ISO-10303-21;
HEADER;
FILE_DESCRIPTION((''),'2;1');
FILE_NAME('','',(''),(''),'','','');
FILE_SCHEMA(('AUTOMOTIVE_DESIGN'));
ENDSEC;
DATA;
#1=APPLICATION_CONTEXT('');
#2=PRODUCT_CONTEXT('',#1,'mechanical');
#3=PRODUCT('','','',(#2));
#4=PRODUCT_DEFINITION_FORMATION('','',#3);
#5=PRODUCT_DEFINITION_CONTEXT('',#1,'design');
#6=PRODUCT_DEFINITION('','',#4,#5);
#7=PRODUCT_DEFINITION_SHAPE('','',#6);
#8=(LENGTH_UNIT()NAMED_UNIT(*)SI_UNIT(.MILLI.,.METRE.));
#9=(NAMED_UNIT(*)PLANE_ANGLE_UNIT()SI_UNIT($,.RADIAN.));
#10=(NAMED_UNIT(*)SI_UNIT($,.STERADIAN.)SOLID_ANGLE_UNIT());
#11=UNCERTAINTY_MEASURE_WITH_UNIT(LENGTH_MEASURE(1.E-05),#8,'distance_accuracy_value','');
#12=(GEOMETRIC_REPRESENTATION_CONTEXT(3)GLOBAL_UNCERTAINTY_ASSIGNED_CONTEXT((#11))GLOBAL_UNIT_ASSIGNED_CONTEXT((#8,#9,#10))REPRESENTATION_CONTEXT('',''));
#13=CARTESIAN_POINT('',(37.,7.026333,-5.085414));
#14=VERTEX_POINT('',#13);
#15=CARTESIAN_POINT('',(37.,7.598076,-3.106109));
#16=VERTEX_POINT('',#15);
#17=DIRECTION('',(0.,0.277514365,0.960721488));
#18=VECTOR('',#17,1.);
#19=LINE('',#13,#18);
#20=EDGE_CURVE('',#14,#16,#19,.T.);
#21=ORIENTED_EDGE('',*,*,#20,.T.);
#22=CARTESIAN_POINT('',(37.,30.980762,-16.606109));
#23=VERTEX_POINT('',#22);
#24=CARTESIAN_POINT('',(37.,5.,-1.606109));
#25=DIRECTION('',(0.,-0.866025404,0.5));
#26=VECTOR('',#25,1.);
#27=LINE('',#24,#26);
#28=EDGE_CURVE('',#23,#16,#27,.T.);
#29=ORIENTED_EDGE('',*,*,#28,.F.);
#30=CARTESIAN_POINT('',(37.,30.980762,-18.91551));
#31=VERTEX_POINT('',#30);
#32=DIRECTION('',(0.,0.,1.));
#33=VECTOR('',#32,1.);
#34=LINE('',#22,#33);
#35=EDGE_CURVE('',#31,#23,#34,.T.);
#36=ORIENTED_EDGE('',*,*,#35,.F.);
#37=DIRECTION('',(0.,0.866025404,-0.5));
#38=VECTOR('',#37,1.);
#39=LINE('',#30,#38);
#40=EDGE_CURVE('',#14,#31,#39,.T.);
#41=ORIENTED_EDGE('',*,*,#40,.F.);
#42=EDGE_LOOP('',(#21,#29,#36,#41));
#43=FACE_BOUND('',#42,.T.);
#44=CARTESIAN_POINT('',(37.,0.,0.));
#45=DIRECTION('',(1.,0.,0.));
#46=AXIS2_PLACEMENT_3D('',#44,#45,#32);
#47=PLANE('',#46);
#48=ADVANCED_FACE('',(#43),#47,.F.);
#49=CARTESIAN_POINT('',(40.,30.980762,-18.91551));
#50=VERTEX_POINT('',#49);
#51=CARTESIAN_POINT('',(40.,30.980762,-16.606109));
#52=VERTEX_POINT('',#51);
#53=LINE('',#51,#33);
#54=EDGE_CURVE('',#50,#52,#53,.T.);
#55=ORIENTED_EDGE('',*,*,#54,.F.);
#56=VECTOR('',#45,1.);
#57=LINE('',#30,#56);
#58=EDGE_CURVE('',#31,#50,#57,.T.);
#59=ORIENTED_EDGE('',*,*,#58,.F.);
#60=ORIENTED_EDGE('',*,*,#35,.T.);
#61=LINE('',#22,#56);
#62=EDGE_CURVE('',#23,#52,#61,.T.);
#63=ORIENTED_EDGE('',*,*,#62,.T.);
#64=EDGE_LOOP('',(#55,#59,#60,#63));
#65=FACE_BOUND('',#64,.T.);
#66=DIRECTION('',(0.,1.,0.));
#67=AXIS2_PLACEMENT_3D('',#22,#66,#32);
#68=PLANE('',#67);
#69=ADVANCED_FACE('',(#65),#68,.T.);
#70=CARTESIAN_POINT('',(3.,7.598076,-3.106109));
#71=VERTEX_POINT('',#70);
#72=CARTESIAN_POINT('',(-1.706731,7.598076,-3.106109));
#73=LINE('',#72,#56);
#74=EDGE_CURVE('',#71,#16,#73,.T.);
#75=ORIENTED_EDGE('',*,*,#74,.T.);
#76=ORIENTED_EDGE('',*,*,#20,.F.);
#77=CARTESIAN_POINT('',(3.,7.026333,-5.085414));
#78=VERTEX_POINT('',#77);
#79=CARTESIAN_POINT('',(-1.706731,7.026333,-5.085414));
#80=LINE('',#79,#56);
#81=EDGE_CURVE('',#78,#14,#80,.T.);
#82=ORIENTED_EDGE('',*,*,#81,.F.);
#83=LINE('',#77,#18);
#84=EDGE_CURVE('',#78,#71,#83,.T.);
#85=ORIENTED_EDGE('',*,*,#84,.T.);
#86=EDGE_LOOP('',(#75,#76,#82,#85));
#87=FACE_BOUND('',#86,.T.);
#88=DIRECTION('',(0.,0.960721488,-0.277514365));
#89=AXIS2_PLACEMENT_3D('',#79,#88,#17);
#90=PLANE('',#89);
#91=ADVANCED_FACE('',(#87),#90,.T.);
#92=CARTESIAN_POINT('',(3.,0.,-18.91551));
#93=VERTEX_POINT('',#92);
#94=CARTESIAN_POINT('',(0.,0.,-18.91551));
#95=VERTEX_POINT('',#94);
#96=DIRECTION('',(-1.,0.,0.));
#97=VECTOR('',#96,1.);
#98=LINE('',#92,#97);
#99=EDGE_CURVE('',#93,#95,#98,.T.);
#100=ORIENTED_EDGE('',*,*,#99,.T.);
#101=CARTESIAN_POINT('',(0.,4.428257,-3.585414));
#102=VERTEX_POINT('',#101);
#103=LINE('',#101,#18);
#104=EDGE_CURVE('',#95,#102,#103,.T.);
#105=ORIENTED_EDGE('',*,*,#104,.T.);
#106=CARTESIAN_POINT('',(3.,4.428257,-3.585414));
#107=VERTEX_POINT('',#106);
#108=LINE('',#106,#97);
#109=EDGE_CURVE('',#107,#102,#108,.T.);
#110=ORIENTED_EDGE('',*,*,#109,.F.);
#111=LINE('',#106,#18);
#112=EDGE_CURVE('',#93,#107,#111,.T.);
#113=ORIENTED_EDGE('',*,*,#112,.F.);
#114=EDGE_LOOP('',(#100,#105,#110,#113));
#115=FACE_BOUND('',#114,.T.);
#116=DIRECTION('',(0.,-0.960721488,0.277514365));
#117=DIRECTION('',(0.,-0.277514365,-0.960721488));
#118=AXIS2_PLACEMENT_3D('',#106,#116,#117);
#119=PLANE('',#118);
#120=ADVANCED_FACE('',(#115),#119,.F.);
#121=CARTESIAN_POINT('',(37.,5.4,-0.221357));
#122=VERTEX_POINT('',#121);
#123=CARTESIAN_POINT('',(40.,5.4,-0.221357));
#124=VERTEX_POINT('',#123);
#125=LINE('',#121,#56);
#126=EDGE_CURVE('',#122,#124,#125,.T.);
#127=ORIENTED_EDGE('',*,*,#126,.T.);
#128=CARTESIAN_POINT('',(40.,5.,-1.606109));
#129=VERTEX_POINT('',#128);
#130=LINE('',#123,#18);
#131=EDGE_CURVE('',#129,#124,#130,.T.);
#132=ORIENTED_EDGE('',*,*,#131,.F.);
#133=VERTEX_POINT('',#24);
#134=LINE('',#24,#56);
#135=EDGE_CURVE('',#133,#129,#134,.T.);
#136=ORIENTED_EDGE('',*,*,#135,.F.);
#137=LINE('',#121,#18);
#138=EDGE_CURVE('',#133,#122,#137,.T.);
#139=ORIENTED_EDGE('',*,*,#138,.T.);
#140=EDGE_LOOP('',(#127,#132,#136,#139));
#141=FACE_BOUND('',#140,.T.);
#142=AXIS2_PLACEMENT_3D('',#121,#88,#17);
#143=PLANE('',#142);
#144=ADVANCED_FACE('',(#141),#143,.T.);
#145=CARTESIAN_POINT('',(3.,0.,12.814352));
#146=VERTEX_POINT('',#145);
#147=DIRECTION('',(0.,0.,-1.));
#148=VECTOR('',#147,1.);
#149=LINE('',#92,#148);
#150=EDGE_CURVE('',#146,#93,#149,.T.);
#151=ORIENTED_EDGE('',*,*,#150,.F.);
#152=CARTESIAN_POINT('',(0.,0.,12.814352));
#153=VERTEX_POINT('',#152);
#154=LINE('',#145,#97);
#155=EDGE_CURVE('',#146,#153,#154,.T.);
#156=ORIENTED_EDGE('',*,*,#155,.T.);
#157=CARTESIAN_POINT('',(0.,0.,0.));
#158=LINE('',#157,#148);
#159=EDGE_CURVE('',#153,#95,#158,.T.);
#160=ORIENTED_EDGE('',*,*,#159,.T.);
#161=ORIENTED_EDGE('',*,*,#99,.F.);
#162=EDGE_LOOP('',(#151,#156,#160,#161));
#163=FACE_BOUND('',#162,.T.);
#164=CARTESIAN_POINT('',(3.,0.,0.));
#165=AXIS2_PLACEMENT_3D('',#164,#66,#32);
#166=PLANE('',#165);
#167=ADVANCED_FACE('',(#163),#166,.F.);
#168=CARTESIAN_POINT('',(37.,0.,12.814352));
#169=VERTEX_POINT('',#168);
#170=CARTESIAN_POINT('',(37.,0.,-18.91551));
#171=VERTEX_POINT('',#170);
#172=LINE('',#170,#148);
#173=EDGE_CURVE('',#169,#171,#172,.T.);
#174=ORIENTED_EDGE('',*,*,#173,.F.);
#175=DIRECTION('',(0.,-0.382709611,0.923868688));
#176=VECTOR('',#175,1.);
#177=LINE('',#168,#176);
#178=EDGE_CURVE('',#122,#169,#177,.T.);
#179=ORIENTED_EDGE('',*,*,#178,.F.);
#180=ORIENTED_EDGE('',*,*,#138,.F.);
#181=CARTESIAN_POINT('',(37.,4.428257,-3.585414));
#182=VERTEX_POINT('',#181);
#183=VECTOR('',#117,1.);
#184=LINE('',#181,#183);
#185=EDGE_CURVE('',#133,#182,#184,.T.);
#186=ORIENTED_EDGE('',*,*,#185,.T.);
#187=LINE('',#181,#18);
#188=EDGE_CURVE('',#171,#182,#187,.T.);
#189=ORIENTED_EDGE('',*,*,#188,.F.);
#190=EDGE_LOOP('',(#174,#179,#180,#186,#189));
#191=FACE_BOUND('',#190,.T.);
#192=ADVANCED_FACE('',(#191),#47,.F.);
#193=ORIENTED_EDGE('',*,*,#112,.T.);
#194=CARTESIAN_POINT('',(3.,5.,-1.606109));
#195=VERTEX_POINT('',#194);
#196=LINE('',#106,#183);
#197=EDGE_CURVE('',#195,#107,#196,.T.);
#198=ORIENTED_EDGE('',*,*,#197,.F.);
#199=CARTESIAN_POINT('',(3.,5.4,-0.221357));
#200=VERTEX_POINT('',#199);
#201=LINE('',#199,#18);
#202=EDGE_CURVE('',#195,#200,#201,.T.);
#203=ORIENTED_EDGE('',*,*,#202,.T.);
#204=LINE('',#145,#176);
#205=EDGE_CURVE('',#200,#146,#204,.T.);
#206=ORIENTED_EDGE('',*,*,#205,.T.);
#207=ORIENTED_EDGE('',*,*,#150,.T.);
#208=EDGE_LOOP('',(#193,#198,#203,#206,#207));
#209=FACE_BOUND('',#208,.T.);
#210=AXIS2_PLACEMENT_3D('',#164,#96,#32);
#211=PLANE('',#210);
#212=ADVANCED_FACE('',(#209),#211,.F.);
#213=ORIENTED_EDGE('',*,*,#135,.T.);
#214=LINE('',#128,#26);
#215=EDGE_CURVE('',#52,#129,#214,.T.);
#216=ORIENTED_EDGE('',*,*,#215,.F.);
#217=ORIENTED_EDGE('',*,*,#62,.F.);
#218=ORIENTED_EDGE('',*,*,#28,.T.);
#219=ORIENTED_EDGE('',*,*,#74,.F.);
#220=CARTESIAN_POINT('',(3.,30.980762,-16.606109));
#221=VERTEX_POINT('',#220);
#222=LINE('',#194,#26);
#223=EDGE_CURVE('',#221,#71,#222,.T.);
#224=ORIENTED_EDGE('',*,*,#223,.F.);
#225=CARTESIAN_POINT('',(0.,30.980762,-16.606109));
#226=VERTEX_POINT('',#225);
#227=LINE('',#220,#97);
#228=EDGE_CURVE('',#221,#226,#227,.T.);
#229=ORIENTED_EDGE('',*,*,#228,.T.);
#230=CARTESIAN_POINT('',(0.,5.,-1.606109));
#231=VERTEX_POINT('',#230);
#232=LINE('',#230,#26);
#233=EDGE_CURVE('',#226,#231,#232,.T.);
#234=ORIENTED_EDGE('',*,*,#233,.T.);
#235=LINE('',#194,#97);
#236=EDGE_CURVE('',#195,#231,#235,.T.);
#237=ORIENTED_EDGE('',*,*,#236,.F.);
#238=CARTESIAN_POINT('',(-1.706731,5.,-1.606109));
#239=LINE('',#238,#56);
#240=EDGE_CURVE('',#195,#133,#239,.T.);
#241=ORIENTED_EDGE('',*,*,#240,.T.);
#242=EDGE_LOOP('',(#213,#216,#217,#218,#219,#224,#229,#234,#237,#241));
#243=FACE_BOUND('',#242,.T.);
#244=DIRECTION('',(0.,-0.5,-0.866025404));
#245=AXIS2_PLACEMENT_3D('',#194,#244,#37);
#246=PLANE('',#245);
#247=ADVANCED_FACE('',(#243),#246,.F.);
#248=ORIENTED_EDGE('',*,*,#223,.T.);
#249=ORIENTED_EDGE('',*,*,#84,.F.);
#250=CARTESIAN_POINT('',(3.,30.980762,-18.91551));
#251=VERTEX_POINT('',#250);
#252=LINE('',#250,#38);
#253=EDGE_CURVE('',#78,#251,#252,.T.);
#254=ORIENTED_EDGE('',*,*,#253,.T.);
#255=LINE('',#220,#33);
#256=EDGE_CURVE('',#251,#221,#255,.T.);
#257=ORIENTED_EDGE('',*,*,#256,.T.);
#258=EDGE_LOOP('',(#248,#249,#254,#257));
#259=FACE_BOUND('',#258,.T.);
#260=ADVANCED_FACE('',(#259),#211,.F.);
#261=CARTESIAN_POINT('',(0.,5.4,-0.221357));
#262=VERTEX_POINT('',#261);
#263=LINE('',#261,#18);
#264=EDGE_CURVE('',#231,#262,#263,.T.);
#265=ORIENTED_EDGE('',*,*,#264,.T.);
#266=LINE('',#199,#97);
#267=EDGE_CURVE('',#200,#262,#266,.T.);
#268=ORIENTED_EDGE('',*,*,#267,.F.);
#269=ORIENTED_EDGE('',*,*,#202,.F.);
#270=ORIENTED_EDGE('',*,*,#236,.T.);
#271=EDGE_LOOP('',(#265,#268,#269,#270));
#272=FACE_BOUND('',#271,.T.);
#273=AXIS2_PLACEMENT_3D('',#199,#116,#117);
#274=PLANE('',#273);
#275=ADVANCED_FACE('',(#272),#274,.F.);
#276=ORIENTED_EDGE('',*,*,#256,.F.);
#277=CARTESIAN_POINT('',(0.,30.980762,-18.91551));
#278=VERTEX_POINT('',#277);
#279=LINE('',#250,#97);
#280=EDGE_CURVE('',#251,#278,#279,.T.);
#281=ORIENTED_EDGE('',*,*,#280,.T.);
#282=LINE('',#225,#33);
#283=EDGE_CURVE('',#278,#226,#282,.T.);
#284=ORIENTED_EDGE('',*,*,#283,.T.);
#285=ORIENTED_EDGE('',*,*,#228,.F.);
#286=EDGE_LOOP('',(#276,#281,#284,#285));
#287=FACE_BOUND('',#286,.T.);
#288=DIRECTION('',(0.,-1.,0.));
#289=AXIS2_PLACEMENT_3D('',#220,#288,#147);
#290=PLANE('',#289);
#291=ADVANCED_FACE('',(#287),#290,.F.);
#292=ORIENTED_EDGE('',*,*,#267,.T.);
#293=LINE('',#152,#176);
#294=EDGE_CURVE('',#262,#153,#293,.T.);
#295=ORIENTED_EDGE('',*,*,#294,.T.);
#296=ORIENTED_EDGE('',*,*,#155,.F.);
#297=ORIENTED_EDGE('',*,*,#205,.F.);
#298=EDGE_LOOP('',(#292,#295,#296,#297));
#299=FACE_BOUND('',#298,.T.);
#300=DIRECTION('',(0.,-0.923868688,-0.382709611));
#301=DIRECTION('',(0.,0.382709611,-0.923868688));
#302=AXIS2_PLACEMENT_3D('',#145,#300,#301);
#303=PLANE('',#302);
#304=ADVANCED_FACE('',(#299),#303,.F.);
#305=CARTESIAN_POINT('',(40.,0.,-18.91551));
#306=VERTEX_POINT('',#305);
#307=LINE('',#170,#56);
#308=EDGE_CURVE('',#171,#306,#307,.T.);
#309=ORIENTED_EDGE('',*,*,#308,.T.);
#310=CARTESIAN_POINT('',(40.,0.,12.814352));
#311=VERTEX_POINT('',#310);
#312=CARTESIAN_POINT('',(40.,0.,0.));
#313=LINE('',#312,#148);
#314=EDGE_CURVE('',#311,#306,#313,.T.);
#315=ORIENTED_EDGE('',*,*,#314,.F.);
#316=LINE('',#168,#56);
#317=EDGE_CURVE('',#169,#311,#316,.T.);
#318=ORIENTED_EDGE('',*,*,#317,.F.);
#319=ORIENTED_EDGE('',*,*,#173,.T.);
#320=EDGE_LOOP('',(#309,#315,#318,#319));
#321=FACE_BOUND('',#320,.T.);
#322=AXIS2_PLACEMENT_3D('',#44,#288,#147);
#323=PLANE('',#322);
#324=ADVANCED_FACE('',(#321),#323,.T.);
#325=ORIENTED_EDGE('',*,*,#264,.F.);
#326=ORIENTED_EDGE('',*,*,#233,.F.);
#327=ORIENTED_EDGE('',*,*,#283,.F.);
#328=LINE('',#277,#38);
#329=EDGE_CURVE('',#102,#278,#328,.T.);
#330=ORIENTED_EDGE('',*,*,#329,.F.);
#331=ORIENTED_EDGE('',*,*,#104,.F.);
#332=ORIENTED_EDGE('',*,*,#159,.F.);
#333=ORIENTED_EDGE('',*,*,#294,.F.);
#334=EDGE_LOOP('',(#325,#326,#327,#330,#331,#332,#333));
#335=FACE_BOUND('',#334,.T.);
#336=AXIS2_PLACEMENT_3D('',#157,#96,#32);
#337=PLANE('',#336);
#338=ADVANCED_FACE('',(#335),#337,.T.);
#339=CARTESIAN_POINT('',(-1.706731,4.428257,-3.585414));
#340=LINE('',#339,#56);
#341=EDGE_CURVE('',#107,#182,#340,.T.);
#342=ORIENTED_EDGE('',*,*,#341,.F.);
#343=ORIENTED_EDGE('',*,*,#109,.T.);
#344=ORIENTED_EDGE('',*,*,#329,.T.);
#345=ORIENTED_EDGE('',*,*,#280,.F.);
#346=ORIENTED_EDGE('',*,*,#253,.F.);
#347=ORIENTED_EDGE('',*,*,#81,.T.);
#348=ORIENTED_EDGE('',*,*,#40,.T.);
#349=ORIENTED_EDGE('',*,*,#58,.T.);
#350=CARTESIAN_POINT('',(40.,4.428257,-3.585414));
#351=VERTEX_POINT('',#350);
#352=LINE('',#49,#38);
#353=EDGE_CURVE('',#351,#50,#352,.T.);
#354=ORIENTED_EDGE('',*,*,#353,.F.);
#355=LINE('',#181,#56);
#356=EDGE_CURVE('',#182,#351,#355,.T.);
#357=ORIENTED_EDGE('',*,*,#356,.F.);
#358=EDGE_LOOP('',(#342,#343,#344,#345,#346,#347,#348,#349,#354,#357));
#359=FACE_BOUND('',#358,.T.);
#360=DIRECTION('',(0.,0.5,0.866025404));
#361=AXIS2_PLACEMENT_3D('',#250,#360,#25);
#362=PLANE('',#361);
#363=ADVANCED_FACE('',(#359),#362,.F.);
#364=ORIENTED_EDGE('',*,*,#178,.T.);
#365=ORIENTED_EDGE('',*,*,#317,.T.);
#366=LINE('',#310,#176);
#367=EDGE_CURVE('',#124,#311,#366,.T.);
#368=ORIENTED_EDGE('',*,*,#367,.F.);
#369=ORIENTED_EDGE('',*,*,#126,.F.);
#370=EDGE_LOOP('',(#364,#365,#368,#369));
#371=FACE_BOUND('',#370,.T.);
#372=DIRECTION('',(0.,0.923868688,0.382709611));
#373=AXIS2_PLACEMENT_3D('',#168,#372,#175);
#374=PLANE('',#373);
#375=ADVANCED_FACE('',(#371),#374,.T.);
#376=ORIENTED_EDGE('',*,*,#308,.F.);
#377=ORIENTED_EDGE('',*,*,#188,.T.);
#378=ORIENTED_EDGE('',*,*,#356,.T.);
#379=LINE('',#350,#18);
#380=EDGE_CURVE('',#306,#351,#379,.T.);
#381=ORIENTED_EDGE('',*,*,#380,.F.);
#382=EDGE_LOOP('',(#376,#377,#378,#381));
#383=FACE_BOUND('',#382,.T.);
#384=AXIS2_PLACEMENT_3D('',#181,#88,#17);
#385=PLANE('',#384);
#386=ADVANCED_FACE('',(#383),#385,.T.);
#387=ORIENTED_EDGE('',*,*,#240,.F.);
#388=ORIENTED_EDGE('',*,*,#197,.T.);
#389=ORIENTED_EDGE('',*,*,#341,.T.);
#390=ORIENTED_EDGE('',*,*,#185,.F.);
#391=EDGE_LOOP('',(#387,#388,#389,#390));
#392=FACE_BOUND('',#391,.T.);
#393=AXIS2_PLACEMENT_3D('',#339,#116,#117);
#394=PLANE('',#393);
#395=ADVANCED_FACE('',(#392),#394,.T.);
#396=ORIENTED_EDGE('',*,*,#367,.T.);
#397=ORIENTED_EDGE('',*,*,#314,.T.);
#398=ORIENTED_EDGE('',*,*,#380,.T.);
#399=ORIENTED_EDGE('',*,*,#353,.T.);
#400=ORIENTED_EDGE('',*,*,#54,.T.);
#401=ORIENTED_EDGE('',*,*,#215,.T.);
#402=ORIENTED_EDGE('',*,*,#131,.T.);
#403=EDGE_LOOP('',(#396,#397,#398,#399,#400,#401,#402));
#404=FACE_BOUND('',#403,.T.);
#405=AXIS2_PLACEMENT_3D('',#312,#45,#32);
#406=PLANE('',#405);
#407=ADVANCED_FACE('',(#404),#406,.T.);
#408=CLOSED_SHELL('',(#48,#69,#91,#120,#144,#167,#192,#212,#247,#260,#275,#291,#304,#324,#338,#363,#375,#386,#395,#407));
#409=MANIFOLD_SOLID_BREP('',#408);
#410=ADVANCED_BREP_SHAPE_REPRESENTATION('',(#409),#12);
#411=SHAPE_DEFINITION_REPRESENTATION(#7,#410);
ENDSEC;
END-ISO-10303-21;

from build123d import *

# Parameters (mm, degrees)
BOSS_EXTRUDE1_DEPTH = 3
BOSS_EXTRUDE3_DEPTH = 17


with BuildPart() as part:
    # Sketch1 → Boss-Extrude1 (new body)
    with BuildSketch(Plane(origin=(0, 0, 0), x_dir=(0, 0, -1), z_dir=(1, 0, 0))):
        Polygon((0, 0), (-12.814351741, 0), (0.221356727, 5.4), (1.606108813, 5), (16.606108813, 30.980762114), (18.91550989, 30.980762114), (3.585414012, 4.428257168), (18.91550989, 0), align=None)
    boss_extrude1 = extrude(amount=BOSS_EXTRUDE1_DEPTH)

    # Sketch3 → Boss-Extrude3 (add)
    with BuildSketch(Plane(origin=(20, 0, 0), x_dir=(0, 0, -1), z_dir=(1, 0, 0))):
        Polygon((3.585414012, 4.428257168), (1.606108813, 5), (3.106108813, 7.598076211), (5.085414012, 7.026333379), align=None)
    boss_extrude3 = extrude(amount=-BOSS_EXTRUDE3_DEPTH)

    # Mirror5: Boss-Extrude3 across plane
    add(boss_extrude3.mirror(Plane(origin=(20, 0, 0), x_dir=(0, 0, 1), z_dir=(1, 0, 0))))

    # Mirror6: Boss-Extrude1 across plane
    add(boss_extrude1.mirror(Plane(origin=(20, 0, 0), x_dir=(0, 0, 1), z_dir=(1, 0, 0))))


solid = part.part
